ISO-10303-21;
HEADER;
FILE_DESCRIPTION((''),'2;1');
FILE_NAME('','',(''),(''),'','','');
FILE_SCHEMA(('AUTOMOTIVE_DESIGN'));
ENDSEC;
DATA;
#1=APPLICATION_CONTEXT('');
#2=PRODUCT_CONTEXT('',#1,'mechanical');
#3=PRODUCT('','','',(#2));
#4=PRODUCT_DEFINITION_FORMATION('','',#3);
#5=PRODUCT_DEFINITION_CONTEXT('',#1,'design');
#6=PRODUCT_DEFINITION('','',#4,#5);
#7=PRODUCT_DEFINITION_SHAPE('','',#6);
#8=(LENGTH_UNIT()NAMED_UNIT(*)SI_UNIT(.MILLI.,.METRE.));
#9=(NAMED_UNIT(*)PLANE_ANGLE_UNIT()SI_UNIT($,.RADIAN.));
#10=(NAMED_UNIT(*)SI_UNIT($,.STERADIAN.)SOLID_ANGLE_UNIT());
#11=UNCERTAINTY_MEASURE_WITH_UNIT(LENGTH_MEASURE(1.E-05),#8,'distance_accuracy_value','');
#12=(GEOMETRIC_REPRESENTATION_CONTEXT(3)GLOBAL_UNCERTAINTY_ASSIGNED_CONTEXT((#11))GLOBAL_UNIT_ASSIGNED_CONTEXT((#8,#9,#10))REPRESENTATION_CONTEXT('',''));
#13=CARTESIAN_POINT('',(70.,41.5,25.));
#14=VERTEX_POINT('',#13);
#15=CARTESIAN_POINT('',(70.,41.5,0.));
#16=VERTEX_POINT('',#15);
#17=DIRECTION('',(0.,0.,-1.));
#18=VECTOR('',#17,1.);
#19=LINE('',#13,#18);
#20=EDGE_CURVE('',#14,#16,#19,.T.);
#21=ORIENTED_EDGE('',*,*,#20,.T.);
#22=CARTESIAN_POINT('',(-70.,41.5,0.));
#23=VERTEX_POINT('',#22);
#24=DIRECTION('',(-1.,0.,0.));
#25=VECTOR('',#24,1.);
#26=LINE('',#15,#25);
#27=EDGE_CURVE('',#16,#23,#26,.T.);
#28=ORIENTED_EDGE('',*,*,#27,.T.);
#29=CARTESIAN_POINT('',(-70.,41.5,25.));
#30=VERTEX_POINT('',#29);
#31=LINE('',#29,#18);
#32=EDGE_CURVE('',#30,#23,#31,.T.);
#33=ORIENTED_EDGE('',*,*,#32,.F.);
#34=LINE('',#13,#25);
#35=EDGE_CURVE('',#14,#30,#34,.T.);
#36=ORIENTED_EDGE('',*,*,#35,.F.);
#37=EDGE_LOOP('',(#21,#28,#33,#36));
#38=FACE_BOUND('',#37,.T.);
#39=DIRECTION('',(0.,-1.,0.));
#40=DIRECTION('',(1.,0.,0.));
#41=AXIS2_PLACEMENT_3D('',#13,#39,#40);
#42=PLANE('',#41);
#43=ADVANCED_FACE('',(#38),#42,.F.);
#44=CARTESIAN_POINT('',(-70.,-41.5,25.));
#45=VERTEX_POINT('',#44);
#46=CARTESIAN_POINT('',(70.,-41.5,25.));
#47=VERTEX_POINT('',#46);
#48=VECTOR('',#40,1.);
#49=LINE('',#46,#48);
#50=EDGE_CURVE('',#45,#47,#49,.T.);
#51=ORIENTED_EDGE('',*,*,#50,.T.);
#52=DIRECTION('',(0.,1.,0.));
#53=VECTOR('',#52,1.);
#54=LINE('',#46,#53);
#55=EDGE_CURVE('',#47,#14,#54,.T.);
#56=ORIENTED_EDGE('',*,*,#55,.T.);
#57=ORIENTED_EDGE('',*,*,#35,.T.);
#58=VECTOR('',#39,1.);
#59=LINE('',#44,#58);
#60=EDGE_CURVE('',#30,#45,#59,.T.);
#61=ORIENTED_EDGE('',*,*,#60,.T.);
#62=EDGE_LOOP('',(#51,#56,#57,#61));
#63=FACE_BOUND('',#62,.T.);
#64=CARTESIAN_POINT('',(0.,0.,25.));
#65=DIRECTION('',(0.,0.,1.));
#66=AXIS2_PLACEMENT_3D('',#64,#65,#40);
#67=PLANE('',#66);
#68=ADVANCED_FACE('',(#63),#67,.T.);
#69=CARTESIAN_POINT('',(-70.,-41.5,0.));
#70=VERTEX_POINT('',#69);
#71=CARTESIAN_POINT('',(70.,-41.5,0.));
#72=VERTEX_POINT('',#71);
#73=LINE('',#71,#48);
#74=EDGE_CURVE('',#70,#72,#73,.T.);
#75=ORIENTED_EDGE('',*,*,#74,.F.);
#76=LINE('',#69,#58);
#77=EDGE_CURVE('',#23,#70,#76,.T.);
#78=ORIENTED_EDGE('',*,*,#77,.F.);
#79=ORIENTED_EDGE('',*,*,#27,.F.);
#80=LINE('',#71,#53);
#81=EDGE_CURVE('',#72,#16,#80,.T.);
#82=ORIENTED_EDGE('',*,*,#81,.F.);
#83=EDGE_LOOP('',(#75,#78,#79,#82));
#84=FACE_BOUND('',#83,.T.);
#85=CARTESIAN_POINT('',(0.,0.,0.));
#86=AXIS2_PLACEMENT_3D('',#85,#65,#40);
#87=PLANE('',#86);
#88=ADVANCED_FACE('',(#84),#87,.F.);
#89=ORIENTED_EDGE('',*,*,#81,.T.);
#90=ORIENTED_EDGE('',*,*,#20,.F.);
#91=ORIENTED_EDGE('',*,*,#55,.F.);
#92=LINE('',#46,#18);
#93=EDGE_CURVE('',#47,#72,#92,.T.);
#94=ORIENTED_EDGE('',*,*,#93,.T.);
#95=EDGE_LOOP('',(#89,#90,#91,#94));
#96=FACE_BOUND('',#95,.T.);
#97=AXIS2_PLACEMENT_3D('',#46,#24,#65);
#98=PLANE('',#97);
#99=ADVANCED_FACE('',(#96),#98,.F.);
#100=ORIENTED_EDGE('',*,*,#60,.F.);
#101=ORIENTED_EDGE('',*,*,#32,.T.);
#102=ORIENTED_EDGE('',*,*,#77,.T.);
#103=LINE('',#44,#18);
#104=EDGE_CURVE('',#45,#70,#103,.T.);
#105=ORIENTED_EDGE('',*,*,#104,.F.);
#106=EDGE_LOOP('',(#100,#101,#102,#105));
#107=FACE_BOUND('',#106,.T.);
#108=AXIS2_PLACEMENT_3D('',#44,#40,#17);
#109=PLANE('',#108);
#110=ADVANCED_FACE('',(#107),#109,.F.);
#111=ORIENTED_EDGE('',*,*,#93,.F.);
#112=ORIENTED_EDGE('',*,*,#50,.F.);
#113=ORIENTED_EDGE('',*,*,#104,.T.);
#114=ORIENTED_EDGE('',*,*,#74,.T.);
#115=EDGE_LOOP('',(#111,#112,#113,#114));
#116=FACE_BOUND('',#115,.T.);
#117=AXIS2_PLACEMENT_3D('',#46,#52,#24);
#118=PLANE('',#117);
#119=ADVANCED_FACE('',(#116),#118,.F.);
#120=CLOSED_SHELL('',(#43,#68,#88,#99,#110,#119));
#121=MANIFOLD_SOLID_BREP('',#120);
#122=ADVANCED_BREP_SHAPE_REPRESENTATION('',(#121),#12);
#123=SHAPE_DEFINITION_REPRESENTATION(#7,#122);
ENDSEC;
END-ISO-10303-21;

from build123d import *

# Parameters (mm, degrees)
SKETCH_1_W      = 140
SKETCH_1_H      = 83
EXTRUDE_1_DEPTH = 25


with BuildPart() as part:
    # 草图1 → 凸台-拉伸1 (new body)
    with BuildSketch(Plane.XY):
        Rectangle(SKETCH_1_W, SKETCH_1_H)
    extrude(amount=EXTRUDE_1_DEPTH)


solid = part.part
